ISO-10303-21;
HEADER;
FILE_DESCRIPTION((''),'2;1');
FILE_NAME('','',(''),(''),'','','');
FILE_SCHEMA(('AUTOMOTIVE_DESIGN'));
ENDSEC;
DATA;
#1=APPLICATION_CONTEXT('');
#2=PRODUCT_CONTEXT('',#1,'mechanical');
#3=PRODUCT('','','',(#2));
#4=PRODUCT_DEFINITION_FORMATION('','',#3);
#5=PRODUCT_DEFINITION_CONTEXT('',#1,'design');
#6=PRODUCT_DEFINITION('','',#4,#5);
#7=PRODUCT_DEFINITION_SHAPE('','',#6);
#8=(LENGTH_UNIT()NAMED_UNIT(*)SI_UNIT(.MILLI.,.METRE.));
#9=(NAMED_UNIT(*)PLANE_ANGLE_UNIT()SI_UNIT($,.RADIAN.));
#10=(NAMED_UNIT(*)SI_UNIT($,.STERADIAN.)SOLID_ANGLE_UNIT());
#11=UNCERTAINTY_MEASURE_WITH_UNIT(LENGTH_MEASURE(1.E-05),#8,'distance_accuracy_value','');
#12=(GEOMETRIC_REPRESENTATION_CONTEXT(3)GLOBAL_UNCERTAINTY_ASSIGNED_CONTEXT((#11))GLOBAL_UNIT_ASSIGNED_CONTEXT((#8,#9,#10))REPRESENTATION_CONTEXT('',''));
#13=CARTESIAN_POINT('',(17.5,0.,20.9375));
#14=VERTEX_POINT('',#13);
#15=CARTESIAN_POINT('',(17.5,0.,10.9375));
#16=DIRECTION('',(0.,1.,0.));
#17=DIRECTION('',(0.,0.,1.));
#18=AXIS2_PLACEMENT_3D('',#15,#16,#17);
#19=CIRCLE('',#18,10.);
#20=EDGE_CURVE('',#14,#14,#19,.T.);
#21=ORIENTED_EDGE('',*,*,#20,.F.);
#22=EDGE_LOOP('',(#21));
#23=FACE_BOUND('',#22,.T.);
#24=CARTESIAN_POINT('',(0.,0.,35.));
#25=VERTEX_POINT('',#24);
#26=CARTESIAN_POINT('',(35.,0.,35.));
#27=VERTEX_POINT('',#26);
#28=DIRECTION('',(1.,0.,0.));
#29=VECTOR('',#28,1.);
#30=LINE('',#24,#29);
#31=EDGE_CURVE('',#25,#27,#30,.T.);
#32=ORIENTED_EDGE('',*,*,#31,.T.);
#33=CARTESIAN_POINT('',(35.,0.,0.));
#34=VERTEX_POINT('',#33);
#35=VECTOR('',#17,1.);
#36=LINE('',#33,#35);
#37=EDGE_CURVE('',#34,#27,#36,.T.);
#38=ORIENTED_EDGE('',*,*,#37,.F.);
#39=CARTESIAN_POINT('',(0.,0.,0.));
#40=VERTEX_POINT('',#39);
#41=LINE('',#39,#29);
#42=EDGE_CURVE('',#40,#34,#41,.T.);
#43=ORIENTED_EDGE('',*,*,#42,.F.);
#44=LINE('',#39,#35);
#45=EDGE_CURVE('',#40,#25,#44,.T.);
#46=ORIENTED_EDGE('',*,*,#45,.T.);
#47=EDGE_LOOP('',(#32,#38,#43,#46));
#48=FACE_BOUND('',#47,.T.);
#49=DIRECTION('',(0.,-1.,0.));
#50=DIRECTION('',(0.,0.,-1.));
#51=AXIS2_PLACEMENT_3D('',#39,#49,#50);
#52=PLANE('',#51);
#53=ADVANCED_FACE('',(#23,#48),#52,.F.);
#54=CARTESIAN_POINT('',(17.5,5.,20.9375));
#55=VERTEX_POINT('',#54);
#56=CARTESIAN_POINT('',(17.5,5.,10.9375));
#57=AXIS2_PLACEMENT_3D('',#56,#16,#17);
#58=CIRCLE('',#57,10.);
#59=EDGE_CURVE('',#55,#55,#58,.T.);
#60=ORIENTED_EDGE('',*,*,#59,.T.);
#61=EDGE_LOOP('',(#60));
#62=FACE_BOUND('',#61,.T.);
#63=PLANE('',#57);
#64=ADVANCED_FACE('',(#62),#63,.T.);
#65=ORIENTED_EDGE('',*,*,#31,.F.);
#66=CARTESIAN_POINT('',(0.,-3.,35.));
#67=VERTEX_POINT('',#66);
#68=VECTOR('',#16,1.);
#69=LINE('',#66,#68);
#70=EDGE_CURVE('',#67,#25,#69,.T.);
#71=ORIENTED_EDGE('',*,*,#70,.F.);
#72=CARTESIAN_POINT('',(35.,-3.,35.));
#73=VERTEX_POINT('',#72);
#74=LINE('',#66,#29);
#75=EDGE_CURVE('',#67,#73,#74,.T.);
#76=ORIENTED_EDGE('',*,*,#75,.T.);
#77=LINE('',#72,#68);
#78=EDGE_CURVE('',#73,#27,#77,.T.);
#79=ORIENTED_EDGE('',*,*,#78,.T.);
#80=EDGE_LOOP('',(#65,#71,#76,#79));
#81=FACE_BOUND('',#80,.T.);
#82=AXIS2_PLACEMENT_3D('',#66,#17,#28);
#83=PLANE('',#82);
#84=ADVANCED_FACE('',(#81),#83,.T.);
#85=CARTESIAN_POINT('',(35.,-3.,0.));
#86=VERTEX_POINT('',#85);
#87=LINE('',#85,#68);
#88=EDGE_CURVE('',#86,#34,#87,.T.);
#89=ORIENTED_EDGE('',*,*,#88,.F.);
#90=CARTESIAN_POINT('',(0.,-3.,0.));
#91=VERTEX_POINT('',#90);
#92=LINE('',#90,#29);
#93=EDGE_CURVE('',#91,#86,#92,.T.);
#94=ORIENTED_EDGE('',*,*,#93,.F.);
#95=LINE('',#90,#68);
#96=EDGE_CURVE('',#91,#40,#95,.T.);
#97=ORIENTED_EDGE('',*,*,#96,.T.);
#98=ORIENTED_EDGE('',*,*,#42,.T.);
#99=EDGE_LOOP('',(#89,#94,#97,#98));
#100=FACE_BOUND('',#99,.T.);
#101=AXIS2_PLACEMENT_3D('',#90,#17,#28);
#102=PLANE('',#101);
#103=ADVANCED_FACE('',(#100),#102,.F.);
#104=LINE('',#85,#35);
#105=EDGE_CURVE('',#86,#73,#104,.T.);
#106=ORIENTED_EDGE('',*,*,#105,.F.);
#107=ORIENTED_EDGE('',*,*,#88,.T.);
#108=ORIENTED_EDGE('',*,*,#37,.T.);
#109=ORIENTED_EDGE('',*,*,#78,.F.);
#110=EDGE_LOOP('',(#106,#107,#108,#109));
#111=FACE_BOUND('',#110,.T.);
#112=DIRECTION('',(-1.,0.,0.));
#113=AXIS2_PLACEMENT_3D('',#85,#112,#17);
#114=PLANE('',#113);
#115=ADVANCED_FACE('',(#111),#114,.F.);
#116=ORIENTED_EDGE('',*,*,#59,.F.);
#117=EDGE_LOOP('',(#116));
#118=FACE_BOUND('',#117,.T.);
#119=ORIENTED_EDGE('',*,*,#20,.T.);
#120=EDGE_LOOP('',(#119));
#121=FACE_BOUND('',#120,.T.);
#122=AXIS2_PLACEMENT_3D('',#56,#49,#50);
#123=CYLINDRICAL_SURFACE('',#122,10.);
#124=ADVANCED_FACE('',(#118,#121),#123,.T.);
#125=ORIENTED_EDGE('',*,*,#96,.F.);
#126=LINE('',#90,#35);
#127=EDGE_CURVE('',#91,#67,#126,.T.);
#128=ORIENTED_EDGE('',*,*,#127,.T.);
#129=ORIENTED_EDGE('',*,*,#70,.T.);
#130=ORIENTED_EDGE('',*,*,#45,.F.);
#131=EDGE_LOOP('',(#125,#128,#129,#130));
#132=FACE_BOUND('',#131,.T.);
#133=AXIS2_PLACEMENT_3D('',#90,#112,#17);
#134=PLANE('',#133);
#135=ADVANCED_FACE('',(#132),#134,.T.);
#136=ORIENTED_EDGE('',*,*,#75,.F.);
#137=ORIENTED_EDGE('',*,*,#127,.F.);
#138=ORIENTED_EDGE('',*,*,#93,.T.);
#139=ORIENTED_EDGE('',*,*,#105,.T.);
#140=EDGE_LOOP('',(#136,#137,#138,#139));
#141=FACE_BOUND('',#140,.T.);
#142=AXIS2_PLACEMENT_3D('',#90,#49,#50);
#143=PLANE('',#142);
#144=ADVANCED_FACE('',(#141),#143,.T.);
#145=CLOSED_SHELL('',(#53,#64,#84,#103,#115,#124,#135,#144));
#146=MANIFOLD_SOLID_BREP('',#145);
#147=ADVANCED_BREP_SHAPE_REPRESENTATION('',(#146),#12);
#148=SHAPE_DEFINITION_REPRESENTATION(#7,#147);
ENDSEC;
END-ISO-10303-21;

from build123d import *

# Parameters (mm, degrees)
SKETCH1_W           = 35
SKETCH1_H           = 35
BOSS_EXTRUDE1_DEPTH = 3
SKETCH2_R           = 10
BOSS_EXTRUDE2_DEPTH = 5


with BuildPart() as part:
    # Sketch1 → Boss-Extrude1 (new body)
    with BuildSketch(Plane(origin=(0, 0, 0), x_dir=(1, 0, 0), z_dir=(0, 1, 0))):
        with Locations((17.5, -17.5)):
            Rectangle(SKETCH1_W, SKETCH1_H)
    extrude(amount=-BOSS_EXTRUDE1_DEPTH)

    # Sketch2 → Boss-Extrude2 (add)
    with BuildSketch(Plane(origin=(0, 0, 0), x_dir=(1, 0, 0), z_dir=(0, 1, 0))):
        with Locations(Location((17.5, -10.9375, 0), (0, 0, 270))):
            Circle(SKETCH2_R)
    extrude(amount=BOSS_EXTRUDE2_DEPTH)


solid = part.part
